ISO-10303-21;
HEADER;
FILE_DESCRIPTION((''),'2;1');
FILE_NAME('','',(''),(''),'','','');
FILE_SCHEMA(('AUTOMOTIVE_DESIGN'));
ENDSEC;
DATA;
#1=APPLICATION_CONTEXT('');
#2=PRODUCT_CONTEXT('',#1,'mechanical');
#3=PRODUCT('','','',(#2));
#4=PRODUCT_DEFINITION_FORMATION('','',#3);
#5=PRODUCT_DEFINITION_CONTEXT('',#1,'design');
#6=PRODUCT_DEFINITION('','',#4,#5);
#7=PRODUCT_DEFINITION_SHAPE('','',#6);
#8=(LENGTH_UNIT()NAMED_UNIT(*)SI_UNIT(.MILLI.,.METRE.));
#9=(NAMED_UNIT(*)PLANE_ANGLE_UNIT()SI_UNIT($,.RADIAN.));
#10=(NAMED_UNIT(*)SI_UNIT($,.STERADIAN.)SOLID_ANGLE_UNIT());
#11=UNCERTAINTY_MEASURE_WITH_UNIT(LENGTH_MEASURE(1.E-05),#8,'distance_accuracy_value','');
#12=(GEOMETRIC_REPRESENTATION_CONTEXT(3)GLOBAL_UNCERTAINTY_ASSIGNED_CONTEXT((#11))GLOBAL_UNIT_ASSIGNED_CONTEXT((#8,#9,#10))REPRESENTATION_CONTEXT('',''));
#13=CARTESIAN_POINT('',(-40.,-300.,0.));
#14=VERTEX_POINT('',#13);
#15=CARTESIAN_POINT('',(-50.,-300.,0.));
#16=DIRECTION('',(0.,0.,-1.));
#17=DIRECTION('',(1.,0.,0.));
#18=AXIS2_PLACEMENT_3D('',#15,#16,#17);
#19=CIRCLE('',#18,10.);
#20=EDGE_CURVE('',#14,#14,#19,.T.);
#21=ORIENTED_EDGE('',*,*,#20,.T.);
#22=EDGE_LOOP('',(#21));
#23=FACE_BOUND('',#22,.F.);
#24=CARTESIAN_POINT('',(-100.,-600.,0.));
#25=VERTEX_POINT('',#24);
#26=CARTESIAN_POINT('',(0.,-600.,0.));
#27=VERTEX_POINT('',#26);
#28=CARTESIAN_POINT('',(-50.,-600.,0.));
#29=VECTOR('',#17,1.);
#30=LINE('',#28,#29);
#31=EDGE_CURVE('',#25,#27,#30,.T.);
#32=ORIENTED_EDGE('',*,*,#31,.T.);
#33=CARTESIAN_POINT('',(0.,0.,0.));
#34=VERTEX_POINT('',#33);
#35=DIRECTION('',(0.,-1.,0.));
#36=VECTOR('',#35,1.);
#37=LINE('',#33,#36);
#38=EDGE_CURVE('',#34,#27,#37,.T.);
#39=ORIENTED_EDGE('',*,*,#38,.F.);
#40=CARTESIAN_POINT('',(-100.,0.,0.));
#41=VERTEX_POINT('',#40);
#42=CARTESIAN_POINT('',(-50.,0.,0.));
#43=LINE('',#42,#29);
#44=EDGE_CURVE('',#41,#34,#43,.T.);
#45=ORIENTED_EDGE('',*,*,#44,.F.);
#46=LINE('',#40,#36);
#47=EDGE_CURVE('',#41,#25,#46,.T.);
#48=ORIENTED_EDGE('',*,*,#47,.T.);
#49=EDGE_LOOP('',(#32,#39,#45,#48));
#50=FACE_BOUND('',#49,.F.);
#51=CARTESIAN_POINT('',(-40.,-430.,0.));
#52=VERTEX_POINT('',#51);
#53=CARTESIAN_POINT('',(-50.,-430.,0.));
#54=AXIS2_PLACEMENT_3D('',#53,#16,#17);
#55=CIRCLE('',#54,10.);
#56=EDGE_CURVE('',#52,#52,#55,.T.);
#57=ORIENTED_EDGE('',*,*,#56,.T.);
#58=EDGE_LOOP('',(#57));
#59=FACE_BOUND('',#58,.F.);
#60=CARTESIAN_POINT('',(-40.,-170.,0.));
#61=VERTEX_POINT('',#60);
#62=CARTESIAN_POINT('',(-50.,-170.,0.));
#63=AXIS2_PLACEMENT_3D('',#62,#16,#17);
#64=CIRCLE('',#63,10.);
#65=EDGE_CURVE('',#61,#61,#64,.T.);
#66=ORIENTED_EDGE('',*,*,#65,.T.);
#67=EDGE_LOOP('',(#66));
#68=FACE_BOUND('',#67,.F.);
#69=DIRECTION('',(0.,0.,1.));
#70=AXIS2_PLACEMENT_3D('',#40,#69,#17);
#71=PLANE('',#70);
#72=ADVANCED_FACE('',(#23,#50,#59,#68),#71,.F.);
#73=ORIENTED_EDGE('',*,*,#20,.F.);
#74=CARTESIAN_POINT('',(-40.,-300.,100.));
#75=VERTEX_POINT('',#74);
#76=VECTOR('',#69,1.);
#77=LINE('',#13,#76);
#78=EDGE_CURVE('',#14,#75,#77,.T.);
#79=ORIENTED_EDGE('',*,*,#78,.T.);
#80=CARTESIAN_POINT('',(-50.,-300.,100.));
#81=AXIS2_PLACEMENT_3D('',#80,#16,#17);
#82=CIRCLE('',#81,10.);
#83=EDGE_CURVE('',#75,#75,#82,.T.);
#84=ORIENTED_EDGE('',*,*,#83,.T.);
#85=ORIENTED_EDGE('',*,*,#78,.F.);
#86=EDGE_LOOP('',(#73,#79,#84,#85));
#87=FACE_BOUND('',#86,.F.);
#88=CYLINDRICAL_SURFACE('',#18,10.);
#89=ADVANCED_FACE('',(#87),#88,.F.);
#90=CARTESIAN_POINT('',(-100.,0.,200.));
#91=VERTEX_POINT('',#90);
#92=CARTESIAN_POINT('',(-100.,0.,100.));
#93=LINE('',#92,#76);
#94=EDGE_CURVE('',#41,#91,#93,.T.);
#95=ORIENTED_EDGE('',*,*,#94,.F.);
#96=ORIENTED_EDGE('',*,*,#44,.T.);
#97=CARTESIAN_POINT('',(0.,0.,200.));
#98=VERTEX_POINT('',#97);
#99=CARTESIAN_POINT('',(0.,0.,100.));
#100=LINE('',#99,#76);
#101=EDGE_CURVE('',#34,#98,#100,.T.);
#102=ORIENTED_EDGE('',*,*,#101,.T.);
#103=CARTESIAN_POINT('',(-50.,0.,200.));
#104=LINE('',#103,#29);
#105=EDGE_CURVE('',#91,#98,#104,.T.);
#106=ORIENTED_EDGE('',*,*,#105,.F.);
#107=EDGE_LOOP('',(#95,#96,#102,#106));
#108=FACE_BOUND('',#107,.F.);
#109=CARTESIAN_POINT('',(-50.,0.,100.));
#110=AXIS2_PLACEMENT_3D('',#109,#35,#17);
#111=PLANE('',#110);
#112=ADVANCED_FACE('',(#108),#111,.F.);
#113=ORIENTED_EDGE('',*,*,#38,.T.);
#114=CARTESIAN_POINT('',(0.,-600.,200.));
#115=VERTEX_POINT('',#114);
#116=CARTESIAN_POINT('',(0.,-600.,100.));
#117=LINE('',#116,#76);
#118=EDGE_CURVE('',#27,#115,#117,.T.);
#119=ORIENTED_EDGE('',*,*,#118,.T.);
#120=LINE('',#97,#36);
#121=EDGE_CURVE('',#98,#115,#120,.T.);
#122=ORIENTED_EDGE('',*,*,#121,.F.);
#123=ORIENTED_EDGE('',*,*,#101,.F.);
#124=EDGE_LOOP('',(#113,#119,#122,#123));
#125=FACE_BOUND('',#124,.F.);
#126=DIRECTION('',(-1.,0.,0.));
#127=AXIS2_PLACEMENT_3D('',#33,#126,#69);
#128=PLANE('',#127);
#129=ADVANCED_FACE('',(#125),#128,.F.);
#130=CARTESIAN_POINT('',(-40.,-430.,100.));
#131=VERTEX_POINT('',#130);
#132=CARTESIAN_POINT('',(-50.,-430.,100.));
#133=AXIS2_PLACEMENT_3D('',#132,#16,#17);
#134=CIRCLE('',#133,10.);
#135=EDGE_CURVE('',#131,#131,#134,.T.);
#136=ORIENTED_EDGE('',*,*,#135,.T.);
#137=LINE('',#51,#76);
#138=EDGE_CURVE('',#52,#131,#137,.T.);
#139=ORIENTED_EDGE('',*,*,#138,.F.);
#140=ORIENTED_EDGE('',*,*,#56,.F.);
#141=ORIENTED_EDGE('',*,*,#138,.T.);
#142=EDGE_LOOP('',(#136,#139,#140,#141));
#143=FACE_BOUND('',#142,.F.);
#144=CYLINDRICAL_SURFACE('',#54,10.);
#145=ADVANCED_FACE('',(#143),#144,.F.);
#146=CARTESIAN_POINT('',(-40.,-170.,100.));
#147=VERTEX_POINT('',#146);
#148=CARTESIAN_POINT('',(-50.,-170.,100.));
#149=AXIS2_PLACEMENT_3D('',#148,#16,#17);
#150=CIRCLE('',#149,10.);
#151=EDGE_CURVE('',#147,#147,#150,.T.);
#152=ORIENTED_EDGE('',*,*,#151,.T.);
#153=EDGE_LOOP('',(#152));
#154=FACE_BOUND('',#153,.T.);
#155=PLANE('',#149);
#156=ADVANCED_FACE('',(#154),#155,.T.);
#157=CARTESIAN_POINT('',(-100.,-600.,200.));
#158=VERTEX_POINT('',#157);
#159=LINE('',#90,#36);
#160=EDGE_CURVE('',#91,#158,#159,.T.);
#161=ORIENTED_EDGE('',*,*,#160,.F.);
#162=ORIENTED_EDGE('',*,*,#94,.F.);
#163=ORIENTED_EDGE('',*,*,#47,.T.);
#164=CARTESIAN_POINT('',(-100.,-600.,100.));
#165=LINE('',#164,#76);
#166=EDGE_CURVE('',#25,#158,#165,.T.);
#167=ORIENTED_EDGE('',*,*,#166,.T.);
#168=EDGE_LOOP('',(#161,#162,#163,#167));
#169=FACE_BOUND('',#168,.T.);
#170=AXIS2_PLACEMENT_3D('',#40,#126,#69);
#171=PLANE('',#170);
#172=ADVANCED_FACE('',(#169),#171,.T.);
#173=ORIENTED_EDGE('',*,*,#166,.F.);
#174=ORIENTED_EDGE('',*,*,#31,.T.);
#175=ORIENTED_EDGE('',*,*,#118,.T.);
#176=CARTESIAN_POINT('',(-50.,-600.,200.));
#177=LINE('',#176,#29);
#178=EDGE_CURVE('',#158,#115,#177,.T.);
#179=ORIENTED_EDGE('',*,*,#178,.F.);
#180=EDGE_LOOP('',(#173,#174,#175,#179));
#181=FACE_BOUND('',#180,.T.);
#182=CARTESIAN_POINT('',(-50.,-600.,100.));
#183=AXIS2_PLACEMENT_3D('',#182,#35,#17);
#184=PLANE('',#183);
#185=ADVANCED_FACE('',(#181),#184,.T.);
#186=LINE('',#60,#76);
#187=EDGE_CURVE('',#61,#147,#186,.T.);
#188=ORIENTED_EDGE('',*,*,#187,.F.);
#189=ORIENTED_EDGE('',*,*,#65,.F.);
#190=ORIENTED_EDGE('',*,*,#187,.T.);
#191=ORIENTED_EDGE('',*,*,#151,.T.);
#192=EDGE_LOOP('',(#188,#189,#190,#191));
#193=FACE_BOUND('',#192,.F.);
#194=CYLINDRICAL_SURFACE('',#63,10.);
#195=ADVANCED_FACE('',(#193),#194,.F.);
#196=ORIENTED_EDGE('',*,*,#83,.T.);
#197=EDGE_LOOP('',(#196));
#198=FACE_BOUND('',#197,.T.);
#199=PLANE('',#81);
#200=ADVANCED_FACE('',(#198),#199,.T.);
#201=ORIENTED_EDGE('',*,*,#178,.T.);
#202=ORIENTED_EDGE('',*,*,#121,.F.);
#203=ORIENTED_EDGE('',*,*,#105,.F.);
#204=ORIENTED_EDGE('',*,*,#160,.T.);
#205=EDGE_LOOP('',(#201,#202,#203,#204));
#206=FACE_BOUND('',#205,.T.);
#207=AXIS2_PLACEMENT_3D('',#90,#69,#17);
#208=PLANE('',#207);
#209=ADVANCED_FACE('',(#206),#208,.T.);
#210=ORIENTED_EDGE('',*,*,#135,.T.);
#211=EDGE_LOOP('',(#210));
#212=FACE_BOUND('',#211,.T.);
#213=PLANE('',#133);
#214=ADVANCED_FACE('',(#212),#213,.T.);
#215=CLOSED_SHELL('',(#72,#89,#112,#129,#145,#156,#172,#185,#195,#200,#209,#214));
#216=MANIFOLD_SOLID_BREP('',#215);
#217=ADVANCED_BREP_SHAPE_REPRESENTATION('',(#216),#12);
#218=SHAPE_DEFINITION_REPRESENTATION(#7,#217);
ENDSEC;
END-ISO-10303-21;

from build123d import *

# Parameters (mm, degrees)
F0_W     = 100
F0_H     = 200
F1_DEPTH = 600
F2_R     = 10
F3_DEPTH = 100


with BuildPart() as f1:
    # F0 (on Front) → F1 (new body)
    with BuildSketch(Plane.XZ):
        with Locations((-50, 100)):
            Rectangle(F0_W, F0_H)
    extrude(amount=F1_DEPTH)

    # F2 (on face) → F3 (cut)
    with BuildSketch(Plane(origin=(0, 0, 0), x_dir=(1, 0, 0), z_dir=(0, 0, -1))):
        with Locations((-50, 430)):
            Circle(F2_R)
        with Locations((-50, 170)):
            Circle(F2_R)
        with Locations((-50, 300)):
            Circle(F2_R)
    extrude(amount=-F3_DEPTH, mode=Mode.SUBTRACT)


solid = f1.part
